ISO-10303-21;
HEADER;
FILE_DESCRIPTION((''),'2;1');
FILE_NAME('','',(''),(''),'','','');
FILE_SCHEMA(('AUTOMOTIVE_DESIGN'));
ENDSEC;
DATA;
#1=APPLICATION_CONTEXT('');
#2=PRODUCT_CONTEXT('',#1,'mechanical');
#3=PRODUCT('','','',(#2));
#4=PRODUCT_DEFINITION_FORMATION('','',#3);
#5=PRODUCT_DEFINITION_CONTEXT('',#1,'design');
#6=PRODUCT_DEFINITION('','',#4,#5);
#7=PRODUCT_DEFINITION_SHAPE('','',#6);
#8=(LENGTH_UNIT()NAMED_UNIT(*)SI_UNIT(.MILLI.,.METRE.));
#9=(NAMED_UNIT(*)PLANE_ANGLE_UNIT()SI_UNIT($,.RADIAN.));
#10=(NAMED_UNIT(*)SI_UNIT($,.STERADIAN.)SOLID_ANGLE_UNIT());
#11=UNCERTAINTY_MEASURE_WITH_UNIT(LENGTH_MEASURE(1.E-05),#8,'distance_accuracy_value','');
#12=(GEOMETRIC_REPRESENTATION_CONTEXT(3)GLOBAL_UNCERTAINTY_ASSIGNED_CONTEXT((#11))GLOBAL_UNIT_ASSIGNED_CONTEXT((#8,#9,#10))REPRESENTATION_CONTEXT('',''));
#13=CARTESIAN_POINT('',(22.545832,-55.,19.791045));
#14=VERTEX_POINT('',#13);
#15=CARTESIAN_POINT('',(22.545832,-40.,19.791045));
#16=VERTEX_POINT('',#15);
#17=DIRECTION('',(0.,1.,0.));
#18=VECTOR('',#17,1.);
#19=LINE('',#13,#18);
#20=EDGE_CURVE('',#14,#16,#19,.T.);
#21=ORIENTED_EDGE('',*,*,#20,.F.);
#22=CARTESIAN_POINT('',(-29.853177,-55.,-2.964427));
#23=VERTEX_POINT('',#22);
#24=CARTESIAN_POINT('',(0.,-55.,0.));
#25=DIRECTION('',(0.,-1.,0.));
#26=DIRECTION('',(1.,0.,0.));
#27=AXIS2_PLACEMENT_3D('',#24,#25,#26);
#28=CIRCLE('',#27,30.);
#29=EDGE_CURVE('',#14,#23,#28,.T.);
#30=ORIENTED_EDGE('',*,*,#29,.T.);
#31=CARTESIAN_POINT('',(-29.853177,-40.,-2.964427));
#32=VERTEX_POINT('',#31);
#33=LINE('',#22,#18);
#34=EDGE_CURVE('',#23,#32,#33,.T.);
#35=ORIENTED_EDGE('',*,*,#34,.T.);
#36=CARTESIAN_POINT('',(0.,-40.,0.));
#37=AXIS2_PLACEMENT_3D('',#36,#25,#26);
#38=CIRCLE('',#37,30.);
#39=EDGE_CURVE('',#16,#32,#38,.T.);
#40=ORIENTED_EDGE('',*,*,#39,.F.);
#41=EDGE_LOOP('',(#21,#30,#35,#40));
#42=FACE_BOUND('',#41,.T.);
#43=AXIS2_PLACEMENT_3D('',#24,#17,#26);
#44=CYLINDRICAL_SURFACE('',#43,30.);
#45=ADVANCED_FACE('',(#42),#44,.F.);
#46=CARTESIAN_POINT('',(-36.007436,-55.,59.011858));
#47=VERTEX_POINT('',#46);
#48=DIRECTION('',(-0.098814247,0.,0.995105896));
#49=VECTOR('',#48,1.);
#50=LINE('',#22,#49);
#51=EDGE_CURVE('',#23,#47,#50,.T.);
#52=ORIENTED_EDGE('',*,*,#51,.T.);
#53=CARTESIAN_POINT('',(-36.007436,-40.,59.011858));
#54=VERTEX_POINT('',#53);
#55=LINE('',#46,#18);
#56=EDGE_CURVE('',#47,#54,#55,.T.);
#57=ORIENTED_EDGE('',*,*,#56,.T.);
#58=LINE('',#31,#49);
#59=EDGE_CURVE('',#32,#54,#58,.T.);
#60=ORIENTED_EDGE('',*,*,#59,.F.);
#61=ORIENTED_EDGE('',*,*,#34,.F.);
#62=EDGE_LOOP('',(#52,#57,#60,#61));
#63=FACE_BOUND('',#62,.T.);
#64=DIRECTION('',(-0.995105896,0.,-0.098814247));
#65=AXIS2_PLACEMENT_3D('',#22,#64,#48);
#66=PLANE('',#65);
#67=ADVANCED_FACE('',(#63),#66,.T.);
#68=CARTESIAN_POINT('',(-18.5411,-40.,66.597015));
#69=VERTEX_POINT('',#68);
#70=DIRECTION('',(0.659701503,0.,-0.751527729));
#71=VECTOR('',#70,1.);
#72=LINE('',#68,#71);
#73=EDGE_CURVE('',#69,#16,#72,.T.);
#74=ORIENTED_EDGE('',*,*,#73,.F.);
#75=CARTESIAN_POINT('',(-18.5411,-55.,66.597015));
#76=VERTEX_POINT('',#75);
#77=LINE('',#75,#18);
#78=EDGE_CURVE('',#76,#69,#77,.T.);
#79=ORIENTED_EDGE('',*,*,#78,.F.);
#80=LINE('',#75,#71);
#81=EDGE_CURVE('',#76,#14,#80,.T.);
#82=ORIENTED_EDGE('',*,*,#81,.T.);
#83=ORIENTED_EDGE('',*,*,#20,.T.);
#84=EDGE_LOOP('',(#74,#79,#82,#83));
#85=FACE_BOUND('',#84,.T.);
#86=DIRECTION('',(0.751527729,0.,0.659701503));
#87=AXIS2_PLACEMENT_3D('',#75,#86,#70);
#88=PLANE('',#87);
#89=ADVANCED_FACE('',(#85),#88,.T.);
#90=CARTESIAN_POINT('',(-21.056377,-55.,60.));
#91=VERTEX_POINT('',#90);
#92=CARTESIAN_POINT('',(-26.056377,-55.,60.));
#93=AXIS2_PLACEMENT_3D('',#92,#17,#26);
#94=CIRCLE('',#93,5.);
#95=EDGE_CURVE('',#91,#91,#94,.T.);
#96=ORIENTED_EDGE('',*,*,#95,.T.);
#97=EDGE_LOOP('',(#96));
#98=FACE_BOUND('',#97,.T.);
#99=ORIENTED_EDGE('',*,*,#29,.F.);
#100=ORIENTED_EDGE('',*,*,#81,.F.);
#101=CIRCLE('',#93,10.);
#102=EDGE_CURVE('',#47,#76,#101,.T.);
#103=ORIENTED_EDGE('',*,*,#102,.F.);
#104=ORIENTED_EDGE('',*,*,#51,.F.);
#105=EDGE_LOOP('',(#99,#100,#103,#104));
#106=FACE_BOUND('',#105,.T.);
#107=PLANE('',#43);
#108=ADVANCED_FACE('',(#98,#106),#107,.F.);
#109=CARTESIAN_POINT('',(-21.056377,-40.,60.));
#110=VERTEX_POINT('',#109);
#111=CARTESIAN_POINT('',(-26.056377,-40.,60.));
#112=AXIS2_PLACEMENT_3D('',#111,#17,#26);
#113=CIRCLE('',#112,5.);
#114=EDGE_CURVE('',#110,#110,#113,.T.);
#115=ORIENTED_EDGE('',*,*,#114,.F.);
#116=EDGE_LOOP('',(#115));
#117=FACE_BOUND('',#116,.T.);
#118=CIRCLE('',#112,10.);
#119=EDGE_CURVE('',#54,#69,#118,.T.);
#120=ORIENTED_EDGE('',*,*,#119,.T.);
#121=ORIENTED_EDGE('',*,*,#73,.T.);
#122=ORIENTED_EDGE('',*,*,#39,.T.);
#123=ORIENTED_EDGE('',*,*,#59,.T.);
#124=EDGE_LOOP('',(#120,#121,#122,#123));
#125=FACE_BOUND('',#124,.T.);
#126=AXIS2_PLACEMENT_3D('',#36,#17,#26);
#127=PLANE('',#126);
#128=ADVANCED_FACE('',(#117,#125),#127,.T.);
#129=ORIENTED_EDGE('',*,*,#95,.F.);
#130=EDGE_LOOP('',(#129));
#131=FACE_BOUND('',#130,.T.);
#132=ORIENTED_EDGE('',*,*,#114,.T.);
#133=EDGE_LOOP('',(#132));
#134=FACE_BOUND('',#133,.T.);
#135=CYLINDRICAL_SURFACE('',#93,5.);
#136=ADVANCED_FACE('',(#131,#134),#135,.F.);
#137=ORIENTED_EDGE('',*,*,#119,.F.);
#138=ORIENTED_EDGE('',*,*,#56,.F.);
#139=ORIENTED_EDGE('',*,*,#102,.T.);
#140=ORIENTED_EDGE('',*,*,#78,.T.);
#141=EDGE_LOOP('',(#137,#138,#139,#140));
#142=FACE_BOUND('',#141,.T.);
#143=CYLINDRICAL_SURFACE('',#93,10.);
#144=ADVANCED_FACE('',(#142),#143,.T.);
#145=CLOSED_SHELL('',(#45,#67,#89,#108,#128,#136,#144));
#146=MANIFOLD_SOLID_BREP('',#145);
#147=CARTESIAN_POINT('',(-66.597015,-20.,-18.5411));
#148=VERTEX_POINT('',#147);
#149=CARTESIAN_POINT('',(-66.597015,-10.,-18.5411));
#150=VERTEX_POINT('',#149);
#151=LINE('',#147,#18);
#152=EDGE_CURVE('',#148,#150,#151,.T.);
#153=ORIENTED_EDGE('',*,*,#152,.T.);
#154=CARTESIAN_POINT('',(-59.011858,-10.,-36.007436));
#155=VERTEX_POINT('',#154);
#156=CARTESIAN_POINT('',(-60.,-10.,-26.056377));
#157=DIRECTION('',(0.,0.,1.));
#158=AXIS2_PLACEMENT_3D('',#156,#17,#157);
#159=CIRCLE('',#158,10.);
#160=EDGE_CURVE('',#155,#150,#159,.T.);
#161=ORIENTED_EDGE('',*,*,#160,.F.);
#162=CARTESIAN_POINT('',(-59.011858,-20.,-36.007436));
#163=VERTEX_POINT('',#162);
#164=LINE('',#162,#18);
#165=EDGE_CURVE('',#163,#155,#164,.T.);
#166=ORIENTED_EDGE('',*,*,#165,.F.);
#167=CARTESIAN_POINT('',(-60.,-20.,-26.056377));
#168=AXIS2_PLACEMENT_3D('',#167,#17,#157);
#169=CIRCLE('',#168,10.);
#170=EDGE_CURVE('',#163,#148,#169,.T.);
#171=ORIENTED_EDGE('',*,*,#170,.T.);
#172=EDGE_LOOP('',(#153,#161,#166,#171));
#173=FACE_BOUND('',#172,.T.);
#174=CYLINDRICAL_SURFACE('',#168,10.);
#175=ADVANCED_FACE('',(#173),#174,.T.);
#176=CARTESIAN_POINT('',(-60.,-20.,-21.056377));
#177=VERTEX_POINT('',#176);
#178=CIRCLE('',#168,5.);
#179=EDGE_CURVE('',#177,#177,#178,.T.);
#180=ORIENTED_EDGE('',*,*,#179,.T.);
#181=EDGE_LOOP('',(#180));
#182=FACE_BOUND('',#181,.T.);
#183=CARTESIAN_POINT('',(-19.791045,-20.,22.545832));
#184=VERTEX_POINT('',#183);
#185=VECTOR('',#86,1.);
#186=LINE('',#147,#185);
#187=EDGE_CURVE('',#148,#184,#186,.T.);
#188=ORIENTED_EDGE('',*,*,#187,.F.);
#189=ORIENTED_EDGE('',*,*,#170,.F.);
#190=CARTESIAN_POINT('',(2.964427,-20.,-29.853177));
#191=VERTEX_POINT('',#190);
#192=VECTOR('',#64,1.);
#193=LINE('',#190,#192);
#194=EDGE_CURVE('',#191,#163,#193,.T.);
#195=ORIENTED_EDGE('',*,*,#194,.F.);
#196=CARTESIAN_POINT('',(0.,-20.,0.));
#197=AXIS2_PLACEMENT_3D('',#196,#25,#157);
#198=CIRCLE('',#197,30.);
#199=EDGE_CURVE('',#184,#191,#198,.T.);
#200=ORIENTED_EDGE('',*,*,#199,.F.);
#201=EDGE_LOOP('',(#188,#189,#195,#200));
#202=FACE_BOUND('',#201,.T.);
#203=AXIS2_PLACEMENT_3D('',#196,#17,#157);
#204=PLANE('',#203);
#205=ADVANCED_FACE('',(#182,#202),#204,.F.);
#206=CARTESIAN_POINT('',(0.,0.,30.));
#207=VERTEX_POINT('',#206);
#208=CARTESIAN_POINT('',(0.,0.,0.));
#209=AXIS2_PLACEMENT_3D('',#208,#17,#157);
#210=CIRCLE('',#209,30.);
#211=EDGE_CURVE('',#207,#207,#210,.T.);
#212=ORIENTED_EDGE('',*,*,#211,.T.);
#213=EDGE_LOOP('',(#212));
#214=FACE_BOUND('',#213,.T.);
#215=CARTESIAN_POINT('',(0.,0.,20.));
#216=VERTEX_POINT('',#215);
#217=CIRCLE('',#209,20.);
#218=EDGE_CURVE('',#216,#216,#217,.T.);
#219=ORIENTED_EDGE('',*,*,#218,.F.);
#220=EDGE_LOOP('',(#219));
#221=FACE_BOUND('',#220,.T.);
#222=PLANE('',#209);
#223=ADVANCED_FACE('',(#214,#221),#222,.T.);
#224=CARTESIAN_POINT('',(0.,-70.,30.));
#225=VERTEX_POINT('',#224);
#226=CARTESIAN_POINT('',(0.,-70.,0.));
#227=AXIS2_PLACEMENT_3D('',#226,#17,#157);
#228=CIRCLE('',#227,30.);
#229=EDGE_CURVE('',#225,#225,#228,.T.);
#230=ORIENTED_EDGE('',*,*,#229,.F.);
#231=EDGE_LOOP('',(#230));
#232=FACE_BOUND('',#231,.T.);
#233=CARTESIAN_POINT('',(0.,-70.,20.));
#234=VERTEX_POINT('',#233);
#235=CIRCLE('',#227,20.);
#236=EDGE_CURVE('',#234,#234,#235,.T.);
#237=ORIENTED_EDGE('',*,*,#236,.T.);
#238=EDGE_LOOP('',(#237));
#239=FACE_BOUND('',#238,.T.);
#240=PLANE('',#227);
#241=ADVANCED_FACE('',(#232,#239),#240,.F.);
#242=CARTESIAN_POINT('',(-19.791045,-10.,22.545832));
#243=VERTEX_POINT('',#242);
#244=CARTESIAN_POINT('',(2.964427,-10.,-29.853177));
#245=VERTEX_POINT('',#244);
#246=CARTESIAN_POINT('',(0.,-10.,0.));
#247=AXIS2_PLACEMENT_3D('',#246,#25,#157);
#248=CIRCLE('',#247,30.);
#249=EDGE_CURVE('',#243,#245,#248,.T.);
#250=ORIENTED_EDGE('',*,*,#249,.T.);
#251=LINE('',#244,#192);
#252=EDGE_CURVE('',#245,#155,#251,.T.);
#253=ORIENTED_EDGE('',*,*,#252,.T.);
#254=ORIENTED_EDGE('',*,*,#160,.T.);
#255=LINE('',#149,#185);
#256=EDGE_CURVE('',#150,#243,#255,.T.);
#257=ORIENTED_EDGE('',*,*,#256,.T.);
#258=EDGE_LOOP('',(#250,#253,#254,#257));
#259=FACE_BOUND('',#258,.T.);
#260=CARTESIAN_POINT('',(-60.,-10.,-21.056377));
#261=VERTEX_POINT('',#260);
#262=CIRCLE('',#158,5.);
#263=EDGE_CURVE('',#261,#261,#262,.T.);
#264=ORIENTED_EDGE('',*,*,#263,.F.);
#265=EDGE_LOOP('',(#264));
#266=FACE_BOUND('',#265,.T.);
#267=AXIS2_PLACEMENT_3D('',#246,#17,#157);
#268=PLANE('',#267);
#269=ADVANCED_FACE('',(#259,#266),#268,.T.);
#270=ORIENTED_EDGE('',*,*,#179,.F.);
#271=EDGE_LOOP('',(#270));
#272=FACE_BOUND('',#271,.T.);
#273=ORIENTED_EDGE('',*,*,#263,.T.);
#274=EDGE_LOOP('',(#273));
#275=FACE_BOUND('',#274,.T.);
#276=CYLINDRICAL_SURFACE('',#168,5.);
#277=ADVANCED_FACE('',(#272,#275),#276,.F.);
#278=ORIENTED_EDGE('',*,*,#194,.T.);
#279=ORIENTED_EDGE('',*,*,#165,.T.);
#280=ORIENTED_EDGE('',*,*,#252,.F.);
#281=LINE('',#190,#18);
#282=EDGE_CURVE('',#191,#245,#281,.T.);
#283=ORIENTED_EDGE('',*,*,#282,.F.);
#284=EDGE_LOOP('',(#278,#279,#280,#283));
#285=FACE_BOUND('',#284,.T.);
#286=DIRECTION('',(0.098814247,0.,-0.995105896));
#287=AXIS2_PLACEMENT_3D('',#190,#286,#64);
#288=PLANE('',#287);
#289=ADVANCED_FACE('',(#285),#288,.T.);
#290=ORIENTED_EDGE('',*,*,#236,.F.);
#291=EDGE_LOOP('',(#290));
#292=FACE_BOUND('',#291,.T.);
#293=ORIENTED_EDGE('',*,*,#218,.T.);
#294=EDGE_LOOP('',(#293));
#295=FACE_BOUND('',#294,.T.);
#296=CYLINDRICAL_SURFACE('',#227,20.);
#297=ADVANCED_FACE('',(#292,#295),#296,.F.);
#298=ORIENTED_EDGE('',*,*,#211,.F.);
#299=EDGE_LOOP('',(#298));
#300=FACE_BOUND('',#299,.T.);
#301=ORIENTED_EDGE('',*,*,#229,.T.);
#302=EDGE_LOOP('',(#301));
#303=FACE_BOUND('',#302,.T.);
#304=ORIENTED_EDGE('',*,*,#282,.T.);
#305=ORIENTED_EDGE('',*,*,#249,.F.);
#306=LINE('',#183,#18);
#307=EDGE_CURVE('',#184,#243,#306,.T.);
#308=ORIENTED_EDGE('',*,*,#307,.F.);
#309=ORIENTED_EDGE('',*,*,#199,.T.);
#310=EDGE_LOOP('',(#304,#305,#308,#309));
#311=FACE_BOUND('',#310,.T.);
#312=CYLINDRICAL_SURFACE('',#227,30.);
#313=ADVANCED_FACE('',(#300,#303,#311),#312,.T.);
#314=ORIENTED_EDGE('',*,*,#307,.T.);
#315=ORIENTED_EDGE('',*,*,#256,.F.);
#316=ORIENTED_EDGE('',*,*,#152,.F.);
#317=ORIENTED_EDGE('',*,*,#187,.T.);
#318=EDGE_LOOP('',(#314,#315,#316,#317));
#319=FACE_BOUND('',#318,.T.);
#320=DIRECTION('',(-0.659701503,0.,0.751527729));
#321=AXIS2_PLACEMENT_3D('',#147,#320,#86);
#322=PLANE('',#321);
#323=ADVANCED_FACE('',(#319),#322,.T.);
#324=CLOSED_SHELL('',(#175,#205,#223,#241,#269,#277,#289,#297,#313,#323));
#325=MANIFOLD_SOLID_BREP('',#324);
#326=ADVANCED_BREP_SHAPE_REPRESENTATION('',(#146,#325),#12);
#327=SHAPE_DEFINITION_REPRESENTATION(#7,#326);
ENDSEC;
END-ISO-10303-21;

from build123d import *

# Parameters (mm, degrees)
SKETCH1_R             = 30
SKETCH1_R_2           = 20
BOSS_EXTRUDE1_DEPTH   = 70
BOSS_EXTRUDE2_START   = -10
SKETCH2_R             = 5
BOSS_EXTRUDE2_DEPTH   = 10
BOSS_EXTRUDE3_START   = -40
SKETCH2_3_R           = 5
BOSS_EXTRUDE3_DEPTH   = 15
BODY_MOVE_COPY1_ANGLE = 90


with BuildPart() as part:
    # Sketch1 → Boss-Extrude1 (new body)
    with BuildSketch(Plane(origin=(0, 0, 0), x_dir=(1, 0, 0), z_dir=(0, 1, 0))):
        Circle(SKETCH1_R)
        Circle(SKETCH1_R_2, mode=Mode.SUBTRACT)
    extrude(amount=-BOSS_EXTRUDE1_DEPTH)

    # Sketch2 → Boss-Extrude2 (add)
    with BuildSketch(Plane(origin=(0, 0, 0), x_dir=(1, 0, 0), z_dir=(0, 1, 0)).offset(BOSS_EXTRUDE2_START)):
        with BuildLine():
            Line((2.964427425, 29.853176884), (-59.011857525, 36.007436429))
            ThreePointArc((-59.011857525, 36.007436429), (-69.172409079, 30.039706689), (-66.597015029, 18.541100181))
            Line((-66.597015029, 18.541100181), (-19.791045088, -22.545831861))
            ThreePointArc((-19.791045088, -22.545831861), (-27.517227238, 11.949987663), (2.964427425, 29.853176884))
        make_face()
        with Locations((-60, 26.056377468)):
            Circle(SKETCH2_R, mode=Mode.SUBTRACT)
    extrude(amount=-BOSS_EXTRUDE2_DEPTH)


with BuildPart() as body_2:
    # Sketch2<3> → Boss-Extrude3 (new body)
    with BuildSketch(Plane(origin=(0, 0, 0), x_dir=(1, 0, 0), z_dir=(0, 1, 0)).offset(BOSS_EXTRUDE3_START)):
        with BuildLine():
            Line((2.964427425, 29.853176884), (-59.011857525, 36.007436429))
            ThreePointArc((-59.011857525, 36.007436429), (-69.172409079, 30.039706689), (-66.597015029, 18.541100181))
            Line((-66.597015029, 18.541100181), (-19.791045088, -22.545831861))
            ThreePointArc((-19.791045088, -22.545831861), (-27.517227238, 11.949987663), (2.964427425, 29.853176884))
        make_face()
        with Locations((-60, 26.056377468)):
            Circle(SKETCH2_3_R, mode=Mode.SUBTRACT)
    extrude(amount=-BOSS_EXTRUDE3_DEPTH)


with BuildPart() as body_2_1:
    # Body-Move/Copy1: moved
    add(body_2.part.rotate(Axis((0, 0, 0), (0, 1, 0)), BODY_MOVE_COPY1_ANGLE))


solid = Compound([part.part, body_2_1.part])
